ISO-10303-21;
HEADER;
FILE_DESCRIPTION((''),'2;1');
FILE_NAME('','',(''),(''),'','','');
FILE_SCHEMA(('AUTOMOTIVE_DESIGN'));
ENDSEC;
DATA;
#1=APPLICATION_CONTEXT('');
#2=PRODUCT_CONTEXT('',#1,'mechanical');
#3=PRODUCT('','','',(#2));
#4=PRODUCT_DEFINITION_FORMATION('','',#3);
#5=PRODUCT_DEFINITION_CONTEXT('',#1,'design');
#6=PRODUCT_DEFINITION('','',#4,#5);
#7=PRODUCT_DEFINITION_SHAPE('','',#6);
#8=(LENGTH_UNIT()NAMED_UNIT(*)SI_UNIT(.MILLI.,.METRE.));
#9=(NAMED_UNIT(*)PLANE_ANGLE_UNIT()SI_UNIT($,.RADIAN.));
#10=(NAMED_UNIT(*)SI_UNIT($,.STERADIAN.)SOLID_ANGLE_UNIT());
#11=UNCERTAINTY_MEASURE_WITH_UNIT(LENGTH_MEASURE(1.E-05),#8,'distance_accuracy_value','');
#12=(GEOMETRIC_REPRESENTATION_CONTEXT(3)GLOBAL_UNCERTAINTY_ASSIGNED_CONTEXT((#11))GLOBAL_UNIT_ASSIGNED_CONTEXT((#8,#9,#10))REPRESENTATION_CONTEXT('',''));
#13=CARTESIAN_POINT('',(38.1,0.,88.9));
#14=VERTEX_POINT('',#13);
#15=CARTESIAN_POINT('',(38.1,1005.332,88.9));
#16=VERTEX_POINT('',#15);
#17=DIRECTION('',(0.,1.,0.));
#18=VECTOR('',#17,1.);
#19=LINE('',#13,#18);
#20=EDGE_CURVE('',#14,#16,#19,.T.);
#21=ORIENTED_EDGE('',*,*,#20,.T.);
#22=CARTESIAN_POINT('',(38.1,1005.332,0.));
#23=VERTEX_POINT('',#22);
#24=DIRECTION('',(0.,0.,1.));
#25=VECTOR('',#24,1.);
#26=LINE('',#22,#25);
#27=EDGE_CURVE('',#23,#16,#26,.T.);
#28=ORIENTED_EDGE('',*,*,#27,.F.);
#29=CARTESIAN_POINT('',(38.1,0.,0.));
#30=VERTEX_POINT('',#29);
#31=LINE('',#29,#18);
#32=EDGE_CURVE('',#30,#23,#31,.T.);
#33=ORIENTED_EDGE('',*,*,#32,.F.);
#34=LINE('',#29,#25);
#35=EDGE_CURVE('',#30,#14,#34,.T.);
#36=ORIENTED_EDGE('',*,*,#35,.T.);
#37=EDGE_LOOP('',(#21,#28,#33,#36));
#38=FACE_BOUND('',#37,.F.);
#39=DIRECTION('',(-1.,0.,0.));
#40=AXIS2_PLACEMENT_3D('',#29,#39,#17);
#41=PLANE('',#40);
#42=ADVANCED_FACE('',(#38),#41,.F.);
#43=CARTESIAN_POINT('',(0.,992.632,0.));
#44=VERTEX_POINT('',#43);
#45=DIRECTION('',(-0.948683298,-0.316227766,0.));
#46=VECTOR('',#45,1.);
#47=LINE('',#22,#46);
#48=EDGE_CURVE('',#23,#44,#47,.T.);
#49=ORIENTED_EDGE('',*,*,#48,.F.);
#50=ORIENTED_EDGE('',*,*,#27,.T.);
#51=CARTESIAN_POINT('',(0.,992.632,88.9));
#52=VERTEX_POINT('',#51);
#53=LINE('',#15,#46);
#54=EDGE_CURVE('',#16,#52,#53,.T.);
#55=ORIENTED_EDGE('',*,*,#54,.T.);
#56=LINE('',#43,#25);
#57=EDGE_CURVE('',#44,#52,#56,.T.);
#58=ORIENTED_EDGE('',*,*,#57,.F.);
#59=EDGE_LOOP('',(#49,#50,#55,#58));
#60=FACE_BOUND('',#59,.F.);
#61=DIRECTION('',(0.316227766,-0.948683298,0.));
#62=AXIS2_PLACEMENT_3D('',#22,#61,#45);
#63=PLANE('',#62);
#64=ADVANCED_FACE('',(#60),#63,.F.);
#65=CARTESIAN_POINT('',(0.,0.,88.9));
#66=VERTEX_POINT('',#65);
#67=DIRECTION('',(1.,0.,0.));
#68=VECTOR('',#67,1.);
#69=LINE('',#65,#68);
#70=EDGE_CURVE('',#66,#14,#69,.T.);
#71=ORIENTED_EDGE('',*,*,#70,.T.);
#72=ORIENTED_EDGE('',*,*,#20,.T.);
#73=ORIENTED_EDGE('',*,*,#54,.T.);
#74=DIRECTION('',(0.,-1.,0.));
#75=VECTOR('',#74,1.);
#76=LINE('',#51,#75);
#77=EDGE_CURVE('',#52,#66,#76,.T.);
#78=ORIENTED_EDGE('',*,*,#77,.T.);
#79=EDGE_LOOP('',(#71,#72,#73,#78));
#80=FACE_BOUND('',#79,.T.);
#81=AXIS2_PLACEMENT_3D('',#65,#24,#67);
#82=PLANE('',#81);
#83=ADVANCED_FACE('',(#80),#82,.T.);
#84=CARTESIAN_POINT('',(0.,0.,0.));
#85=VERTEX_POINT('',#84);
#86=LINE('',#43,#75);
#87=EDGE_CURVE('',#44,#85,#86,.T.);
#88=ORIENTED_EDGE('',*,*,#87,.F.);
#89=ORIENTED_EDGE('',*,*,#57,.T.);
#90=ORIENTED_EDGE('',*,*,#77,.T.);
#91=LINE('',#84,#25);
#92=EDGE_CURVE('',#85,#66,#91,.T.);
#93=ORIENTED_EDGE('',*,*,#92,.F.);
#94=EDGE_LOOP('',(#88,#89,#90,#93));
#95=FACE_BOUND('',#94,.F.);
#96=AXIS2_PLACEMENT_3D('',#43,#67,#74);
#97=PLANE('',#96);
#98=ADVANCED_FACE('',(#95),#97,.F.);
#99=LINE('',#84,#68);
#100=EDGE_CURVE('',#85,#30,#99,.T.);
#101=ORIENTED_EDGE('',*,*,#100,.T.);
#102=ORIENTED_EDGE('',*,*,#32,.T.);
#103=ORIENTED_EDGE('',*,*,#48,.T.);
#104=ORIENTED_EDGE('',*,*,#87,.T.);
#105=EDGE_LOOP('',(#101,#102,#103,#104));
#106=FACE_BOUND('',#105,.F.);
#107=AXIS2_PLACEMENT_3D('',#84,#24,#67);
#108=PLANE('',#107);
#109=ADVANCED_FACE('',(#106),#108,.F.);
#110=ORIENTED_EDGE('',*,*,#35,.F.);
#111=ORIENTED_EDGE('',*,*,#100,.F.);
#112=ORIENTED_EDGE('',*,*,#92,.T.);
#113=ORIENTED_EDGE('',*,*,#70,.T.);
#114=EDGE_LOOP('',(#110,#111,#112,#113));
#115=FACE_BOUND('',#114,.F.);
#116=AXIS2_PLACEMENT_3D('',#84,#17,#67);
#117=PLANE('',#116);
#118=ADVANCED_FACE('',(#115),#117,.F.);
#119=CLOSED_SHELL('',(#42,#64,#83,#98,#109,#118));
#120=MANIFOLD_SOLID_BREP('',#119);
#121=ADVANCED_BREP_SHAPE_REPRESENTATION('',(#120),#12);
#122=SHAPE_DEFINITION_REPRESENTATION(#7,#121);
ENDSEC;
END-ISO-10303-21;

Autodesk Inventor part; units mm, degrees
ref_plane "YZ Plane" through (0, 0, 0) normal (1, 0, 0) x (0, 1, 0)
ref_plane "XZ Plane" through (0, 0, 0) normal (0, 1, 0) x (-1, 0, 0)
ref_plane "XY Plane" through (0, 0, 0) normal (0, 0, 1) x (1, 0, 0)
sketch "Sketch1" plane through (0, 0, 0) normal (0, 0, 1) x (1, 0, 0)
  line L0 (0, 0) -> (38.1, 0)
  line L1 (38.1, 0) -> (38.1, 1005.332)
  line L2 (38.1, 1005.332) -> (0, 992.632)
  line L3 (0, 992.632) -> (0, 0)
  dimension "d2" = 38.1
  dimension "d5" = 992.632
  dimension "d6" = 1005.332
extrude "Extrusion1" add sketch "Sketch1" along normal blind 88.9
properties part number "Stud_Between_Top_Plate_And_Rafter_8" material "Wood (Birch)"
